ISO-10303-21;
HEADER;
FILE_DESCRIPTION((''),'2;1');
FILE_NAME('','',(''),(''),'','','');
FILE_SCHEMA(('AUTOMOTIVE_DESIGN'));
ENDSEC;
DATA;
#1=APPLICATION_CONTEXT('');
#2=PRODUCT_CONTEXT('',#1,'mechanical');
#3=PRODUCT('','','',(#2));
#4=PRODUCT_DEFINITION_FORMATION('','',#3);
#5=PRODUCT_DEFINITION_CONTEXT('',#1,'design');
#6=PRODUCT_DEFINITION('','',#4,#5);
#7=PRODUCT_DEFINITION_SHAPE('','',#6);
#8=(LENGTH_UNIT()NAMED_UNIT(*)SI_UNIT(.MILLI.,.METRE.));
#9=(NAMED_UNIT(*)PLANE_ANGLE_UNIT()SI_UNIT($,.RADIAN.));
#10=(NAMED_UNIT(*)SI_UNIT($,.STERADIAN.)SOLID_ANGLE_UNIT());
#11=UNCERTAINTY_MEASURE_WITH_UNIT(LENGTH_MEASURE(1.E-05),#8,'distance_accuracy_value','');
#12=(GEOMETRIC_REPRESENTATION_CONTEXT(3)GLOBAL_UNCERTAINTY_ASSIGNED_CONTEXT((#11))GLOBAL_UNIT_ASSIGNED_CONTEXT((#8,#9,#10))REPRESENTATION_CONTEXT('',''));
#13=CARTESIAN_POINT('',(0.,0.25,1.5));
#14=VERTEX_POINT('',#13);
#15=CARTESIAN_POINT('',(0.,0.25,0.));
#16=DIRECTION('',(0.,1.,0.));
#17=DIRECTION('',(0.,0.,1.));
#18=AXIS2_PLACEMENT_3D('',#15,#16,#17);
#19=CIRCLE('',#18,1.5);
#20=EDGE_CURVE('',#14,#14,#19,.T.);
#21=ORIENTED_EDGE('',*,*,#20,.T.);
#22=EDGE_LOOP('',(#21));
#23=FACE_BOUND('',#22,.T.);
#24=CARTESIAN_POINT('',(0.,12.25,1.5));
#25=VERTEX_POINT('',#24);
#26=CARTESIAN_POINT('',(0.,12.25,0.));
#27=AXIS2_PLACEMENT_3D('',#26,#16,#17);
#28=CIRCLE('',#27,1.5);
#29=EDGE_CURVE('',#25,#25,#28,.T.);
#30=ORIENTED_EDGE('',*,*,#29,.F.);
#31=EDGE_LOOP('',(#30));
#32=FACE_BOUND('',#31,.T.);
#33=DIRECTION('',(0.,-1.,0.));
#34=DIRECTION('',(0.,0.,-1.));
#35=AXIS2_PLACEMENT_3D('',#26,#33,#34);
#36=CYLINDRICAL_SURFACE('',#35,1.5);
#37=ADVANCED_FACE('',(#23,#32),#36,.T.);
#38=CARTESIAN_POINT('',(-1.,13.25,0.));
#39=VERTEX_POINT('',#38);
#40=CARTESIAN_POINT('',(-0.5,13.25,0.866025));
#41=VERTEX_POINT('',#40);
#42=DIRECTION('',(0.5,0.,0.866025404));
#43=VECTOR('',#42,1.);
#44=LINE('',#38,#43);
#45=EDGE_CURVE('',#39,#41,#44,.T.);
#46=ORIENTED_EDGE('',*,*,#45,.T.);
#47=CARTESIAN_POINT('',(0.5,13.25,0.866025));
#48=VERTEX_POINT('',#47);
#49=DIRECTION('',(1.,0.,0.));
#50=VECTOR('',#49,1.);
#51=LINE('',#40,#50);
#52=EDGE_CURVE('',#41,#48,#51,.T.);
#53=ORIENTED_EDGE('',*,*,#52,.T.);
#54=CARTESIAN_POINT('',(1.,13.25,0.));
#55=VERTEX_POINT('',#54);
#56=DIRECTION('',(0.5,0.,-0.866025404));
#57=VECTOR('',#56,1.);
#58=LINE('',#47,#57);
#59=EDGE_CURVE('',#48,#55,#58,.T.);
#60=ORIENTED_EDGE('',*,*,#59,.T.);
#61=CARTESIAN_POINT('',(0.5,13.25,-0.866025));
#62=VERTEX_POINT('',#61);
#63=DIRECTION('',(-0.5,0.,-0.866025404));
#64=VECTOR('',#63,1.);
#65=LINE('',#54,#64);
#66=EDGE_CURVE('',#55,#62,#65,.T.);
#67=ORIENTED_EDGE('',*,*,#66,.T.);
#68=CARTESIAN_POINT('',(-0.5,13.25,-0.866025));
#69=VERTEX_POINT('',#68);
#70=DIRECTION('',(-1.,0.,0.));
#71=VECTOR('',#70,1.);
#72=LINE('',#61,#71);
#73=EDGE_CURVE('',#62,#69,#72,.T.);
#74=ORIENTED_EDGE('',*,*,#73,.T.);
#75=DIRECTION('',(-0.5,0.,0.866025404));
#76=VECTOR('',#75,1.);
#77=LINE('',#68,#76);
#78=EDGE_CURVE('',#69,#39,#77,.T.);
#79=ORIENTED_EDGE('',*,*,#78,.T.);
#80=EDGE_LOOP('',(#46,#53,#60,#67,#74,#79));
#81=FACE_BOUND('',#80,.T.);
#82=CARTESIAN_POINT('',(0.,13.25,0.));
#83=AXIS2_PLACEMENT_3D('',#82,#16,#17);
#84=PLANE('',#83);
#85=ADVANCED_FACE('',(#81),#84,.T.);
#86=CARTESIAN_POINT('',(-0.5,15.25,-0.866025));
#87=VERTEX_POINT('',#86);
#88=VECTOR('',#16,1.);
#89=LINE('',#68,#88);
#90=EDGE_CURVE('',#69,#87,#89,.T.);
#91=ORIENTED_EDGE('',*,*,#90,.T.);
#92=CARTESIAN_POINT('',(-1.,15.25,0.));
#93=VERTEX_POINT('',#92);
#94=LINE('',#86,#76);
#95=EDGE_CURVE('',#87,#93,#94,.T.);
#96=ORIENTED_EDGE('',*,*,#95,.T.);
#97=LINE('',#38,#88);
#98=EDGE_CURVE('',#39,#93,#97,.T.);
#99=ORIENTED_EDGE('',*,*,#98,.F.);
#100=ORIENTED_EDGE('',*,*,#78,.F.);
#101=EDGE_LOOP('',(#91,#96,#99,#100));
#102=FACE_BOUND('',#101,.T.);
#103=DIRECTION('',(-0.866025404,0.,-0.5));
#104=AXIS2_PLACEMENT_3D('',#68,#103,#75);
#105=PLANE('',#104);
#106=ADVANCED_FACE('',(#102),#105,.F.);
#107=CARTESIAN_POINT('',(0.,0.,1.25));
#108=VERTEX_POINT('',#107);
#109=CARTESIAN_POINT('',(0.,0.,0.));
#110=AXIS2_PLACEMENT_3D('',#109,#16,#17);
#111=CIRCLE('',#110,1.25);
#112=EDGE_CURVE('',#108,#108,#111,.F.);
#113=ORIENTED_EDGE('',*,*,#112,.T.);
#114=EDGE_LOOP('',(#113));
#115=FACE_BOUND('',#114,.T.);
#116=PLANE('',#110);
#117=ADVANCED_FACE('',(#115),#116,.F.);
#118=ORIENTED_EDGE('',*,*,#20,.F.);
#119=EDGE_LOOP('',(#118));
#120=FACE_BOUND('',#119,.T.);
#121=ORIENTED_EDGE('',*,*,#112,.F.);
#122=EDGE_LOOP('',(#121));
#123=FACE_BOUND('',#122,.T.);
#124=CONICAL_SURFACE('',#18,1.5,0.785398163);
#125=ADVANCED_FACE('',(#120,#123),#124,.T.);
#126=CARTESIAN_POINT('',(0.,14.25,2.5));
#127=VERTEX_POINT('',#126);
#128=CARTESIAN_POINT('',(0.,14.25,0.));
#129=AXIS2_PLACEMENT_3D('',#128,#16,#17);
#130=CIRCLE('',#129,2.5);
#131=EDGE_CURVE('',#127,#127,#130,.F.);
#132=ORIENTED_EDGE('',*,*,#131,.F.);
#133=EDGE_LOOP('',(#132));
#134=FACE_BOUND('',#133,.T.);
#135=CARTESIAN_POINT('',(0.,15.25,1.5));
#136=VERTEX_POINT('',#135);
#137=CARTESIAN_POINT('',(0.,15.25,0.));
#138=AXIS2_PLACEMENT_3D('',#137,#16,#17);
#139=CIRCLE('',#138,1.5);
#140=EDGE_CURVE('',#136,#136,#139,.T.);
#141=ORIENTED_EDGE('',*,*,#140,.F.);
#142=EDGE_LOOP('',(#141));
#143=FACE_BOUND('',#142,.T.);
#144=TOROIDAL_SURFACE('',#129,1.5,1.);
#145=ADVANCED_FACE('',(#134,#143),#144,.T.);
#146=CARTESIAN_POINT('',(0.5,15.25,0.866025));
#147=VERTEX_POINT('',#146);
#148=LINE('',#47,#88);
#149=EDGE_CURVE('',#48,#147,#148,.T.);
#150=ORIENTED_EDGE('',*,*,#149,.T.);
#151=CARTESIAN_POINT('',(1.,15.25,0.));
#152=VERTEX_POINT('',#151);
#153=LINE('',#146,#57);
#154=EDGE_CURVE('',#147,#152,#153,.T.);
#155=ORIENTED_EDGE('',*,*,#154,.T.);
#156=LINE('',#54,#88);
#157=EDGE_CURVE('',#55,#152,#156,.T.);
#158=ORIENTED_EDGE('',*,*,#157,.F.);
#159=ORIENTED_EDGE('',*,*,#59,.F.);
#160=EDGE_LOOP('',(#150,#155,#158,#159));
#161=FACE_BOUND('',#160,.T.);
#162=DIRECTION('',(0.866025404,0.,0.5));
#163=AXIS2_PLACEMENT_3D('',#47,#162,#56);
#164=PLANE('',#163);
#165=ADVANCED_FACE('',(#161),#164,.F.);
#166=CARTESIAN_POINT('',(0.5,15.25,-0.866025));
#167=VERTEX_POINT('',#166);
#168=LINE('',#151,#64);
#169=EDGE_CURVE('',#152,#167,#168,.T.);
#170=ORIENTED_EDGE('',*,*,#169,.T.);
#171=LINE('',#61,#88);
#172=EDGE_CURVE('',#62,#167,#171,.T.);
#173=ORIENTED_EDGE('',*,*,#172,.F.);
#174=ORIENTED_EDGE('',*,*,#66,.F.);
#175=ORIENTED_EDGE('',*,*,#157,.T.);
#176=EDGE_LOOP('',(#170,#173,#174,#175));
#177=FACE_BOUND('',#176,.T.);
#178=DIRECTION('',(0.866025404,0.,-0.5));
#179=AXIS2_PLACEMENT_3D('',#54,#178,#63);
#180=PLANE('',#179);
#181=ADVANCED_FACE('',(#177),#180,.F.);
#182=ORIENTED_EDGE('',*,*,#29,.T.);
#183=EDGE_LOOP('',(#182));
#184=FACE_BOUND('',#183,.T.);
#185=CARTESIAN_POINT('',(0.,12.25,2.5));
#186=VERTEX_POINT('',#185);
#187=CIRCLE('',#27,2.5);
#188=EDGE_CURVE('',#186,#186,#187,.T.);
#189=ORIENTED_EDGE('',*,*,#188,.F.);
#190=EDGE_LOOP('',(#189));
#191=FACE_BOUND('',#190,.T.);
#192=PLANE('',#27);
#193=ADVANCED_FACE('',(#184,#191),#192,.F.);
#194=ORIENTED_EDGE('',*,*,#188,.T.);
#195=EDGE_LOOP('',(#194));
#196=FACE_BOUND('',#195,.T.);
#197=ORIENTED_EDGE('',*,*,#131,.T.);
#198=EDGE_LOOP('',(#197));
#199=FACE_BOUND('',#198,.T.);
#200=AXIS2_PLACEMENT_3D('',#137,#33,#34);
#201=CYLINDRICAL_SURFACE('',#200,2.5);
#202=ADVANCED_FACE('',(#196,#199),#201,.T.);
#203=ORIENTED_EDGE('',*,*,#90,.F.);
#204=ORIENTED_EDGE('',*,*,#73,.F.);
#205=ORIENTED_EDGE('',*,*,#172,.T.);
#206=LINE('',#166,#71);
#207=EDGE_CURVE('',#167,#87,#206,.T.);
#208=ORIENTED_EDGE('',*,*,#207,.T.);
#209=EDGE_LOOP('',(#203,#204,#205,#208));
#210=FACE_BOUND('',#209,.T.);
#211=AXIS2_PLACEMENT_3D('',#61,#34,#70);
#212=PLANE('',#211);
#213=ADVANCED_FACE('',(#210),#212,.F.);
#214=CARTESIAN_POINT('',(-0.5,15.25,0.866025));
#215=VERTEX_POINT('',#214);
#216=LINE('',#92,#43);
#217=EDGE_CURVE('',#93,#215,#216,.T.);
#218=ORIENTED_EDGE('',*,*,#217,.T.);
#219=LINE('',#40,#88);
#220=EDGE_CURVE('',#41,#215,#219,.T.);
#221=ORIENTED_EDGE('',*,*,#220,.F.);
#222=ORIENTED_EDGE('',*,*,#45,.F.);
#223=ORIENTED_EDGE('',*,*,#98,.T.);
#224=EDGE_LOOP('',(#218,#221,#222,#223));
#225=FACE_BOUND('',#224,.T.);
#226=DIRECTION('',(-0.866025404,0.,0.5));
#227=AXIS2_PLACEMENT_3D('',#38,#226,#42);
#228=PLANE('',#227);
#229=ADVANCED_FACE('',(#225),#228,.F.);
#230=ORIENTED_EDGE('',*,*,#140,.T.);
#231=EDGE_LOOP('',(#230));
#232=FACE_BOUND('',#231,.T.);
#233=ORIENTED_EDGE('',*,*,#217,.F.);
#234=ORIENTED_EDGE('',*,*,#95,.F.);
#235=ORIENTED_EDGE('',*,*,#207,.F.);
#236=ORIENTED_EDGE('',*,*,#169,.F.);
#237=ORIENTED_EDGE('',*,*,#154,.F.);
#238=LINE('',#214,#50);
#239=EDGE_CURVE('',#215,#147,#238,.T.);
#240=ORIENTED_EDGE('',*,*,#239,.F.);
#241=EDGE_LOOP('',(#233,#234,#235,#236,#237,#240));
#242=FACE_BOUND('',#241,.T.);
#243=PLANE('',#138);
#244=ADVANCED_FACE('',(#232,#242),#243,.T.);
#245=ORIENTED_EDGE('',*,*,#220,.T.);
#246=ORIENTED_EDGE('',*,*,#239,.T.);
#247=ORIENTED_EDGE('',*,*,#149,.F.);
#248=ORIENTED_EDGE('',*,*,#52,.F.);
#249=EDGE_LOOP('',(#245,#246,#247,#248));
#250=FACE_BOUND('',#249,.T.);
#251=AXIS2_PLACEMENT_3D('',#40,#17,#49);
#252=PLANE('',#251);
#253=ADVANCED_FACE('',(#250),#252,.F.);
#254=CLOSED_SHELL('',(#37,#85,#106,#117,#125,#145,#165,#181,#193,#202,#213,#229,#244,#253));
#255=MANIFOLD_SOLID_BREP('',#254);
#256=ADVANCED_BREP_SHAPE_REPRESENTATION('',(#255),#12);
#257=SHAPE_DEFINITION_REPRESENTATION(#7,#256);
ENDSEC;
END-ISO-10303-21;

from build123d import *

# Parameters (mm, degrees)
SKETCH1_R           = 1.5
BOSS_EXTRUDE1_DEPTH = 12.25
SKETCH2_R           = 2.5
BOSS_EXTRUDE2_DEPTH = 3
FILLET1_R           = 1
CHAMFER1_SIZE       = 0.25
CUT_EXTRUDE1_DEPTH  = 2


with BuildPart() as part:
    # Sketch1 → Boss-Extrude1 (new body)
    with BuildSketch(Plane(origin=(0, 0, 0), x_dir=(1, 0, 0), z_dir=(0, 1, 0))):
        with Locations(Location((0, 0, 0), (0, 0, 270))):
            Circle(SKETCH1_R)
    extrude(amount=BOSS_EXTRUDE1_DEPTH)

    # Sketch2 → Boss-Extrude2 (add)
    with BuildSketch(Plane(origin=(0, 12.25, 0), x_dir=(1, 0, 0), z_dir=(0, 1, 0))):
        with Locations(Location((0, 0, 0), (0, 0, 270))):
            Circle(SKETCH2_R)
    extrude(amount=BOSS_EXTRUDE2_DEPTH)

    # Fillet1
    fillet1_edges = [part.edges().sort_by_distance(p)[0] for p in [
        (0, 15.25, -2.5),
    ]]
    fillet(fillet1_edges, radius=FILLET1_R)

    # Chamfer1
    chamfer1_edges = [part.edges().sort_by_distance(p)[0] for p in [
        (0, 0, -1.5),
    ]]
    chamfer(chamfer1_edges, length=CHAMFER1_SIZE)

    # Sketch3 → Cut-Extrude1 (cut)
    with BuildSketch(Plane(origin=(0, 15.25, 0), x_dir=(1, 0, 0), z_dir=(0, 1, 0))):
        Polygon((-1, 0), (-0.5, -0.866025404), (0.5, -0.866025404), (1, 0), (0.5, 0.866025404), (-0.5, 0.866025404), align=None)
    extrude(amount=-CUT_EXTRUDE1_DEPTH, mode=Mode.SUBTRACT)


solid = part.part
